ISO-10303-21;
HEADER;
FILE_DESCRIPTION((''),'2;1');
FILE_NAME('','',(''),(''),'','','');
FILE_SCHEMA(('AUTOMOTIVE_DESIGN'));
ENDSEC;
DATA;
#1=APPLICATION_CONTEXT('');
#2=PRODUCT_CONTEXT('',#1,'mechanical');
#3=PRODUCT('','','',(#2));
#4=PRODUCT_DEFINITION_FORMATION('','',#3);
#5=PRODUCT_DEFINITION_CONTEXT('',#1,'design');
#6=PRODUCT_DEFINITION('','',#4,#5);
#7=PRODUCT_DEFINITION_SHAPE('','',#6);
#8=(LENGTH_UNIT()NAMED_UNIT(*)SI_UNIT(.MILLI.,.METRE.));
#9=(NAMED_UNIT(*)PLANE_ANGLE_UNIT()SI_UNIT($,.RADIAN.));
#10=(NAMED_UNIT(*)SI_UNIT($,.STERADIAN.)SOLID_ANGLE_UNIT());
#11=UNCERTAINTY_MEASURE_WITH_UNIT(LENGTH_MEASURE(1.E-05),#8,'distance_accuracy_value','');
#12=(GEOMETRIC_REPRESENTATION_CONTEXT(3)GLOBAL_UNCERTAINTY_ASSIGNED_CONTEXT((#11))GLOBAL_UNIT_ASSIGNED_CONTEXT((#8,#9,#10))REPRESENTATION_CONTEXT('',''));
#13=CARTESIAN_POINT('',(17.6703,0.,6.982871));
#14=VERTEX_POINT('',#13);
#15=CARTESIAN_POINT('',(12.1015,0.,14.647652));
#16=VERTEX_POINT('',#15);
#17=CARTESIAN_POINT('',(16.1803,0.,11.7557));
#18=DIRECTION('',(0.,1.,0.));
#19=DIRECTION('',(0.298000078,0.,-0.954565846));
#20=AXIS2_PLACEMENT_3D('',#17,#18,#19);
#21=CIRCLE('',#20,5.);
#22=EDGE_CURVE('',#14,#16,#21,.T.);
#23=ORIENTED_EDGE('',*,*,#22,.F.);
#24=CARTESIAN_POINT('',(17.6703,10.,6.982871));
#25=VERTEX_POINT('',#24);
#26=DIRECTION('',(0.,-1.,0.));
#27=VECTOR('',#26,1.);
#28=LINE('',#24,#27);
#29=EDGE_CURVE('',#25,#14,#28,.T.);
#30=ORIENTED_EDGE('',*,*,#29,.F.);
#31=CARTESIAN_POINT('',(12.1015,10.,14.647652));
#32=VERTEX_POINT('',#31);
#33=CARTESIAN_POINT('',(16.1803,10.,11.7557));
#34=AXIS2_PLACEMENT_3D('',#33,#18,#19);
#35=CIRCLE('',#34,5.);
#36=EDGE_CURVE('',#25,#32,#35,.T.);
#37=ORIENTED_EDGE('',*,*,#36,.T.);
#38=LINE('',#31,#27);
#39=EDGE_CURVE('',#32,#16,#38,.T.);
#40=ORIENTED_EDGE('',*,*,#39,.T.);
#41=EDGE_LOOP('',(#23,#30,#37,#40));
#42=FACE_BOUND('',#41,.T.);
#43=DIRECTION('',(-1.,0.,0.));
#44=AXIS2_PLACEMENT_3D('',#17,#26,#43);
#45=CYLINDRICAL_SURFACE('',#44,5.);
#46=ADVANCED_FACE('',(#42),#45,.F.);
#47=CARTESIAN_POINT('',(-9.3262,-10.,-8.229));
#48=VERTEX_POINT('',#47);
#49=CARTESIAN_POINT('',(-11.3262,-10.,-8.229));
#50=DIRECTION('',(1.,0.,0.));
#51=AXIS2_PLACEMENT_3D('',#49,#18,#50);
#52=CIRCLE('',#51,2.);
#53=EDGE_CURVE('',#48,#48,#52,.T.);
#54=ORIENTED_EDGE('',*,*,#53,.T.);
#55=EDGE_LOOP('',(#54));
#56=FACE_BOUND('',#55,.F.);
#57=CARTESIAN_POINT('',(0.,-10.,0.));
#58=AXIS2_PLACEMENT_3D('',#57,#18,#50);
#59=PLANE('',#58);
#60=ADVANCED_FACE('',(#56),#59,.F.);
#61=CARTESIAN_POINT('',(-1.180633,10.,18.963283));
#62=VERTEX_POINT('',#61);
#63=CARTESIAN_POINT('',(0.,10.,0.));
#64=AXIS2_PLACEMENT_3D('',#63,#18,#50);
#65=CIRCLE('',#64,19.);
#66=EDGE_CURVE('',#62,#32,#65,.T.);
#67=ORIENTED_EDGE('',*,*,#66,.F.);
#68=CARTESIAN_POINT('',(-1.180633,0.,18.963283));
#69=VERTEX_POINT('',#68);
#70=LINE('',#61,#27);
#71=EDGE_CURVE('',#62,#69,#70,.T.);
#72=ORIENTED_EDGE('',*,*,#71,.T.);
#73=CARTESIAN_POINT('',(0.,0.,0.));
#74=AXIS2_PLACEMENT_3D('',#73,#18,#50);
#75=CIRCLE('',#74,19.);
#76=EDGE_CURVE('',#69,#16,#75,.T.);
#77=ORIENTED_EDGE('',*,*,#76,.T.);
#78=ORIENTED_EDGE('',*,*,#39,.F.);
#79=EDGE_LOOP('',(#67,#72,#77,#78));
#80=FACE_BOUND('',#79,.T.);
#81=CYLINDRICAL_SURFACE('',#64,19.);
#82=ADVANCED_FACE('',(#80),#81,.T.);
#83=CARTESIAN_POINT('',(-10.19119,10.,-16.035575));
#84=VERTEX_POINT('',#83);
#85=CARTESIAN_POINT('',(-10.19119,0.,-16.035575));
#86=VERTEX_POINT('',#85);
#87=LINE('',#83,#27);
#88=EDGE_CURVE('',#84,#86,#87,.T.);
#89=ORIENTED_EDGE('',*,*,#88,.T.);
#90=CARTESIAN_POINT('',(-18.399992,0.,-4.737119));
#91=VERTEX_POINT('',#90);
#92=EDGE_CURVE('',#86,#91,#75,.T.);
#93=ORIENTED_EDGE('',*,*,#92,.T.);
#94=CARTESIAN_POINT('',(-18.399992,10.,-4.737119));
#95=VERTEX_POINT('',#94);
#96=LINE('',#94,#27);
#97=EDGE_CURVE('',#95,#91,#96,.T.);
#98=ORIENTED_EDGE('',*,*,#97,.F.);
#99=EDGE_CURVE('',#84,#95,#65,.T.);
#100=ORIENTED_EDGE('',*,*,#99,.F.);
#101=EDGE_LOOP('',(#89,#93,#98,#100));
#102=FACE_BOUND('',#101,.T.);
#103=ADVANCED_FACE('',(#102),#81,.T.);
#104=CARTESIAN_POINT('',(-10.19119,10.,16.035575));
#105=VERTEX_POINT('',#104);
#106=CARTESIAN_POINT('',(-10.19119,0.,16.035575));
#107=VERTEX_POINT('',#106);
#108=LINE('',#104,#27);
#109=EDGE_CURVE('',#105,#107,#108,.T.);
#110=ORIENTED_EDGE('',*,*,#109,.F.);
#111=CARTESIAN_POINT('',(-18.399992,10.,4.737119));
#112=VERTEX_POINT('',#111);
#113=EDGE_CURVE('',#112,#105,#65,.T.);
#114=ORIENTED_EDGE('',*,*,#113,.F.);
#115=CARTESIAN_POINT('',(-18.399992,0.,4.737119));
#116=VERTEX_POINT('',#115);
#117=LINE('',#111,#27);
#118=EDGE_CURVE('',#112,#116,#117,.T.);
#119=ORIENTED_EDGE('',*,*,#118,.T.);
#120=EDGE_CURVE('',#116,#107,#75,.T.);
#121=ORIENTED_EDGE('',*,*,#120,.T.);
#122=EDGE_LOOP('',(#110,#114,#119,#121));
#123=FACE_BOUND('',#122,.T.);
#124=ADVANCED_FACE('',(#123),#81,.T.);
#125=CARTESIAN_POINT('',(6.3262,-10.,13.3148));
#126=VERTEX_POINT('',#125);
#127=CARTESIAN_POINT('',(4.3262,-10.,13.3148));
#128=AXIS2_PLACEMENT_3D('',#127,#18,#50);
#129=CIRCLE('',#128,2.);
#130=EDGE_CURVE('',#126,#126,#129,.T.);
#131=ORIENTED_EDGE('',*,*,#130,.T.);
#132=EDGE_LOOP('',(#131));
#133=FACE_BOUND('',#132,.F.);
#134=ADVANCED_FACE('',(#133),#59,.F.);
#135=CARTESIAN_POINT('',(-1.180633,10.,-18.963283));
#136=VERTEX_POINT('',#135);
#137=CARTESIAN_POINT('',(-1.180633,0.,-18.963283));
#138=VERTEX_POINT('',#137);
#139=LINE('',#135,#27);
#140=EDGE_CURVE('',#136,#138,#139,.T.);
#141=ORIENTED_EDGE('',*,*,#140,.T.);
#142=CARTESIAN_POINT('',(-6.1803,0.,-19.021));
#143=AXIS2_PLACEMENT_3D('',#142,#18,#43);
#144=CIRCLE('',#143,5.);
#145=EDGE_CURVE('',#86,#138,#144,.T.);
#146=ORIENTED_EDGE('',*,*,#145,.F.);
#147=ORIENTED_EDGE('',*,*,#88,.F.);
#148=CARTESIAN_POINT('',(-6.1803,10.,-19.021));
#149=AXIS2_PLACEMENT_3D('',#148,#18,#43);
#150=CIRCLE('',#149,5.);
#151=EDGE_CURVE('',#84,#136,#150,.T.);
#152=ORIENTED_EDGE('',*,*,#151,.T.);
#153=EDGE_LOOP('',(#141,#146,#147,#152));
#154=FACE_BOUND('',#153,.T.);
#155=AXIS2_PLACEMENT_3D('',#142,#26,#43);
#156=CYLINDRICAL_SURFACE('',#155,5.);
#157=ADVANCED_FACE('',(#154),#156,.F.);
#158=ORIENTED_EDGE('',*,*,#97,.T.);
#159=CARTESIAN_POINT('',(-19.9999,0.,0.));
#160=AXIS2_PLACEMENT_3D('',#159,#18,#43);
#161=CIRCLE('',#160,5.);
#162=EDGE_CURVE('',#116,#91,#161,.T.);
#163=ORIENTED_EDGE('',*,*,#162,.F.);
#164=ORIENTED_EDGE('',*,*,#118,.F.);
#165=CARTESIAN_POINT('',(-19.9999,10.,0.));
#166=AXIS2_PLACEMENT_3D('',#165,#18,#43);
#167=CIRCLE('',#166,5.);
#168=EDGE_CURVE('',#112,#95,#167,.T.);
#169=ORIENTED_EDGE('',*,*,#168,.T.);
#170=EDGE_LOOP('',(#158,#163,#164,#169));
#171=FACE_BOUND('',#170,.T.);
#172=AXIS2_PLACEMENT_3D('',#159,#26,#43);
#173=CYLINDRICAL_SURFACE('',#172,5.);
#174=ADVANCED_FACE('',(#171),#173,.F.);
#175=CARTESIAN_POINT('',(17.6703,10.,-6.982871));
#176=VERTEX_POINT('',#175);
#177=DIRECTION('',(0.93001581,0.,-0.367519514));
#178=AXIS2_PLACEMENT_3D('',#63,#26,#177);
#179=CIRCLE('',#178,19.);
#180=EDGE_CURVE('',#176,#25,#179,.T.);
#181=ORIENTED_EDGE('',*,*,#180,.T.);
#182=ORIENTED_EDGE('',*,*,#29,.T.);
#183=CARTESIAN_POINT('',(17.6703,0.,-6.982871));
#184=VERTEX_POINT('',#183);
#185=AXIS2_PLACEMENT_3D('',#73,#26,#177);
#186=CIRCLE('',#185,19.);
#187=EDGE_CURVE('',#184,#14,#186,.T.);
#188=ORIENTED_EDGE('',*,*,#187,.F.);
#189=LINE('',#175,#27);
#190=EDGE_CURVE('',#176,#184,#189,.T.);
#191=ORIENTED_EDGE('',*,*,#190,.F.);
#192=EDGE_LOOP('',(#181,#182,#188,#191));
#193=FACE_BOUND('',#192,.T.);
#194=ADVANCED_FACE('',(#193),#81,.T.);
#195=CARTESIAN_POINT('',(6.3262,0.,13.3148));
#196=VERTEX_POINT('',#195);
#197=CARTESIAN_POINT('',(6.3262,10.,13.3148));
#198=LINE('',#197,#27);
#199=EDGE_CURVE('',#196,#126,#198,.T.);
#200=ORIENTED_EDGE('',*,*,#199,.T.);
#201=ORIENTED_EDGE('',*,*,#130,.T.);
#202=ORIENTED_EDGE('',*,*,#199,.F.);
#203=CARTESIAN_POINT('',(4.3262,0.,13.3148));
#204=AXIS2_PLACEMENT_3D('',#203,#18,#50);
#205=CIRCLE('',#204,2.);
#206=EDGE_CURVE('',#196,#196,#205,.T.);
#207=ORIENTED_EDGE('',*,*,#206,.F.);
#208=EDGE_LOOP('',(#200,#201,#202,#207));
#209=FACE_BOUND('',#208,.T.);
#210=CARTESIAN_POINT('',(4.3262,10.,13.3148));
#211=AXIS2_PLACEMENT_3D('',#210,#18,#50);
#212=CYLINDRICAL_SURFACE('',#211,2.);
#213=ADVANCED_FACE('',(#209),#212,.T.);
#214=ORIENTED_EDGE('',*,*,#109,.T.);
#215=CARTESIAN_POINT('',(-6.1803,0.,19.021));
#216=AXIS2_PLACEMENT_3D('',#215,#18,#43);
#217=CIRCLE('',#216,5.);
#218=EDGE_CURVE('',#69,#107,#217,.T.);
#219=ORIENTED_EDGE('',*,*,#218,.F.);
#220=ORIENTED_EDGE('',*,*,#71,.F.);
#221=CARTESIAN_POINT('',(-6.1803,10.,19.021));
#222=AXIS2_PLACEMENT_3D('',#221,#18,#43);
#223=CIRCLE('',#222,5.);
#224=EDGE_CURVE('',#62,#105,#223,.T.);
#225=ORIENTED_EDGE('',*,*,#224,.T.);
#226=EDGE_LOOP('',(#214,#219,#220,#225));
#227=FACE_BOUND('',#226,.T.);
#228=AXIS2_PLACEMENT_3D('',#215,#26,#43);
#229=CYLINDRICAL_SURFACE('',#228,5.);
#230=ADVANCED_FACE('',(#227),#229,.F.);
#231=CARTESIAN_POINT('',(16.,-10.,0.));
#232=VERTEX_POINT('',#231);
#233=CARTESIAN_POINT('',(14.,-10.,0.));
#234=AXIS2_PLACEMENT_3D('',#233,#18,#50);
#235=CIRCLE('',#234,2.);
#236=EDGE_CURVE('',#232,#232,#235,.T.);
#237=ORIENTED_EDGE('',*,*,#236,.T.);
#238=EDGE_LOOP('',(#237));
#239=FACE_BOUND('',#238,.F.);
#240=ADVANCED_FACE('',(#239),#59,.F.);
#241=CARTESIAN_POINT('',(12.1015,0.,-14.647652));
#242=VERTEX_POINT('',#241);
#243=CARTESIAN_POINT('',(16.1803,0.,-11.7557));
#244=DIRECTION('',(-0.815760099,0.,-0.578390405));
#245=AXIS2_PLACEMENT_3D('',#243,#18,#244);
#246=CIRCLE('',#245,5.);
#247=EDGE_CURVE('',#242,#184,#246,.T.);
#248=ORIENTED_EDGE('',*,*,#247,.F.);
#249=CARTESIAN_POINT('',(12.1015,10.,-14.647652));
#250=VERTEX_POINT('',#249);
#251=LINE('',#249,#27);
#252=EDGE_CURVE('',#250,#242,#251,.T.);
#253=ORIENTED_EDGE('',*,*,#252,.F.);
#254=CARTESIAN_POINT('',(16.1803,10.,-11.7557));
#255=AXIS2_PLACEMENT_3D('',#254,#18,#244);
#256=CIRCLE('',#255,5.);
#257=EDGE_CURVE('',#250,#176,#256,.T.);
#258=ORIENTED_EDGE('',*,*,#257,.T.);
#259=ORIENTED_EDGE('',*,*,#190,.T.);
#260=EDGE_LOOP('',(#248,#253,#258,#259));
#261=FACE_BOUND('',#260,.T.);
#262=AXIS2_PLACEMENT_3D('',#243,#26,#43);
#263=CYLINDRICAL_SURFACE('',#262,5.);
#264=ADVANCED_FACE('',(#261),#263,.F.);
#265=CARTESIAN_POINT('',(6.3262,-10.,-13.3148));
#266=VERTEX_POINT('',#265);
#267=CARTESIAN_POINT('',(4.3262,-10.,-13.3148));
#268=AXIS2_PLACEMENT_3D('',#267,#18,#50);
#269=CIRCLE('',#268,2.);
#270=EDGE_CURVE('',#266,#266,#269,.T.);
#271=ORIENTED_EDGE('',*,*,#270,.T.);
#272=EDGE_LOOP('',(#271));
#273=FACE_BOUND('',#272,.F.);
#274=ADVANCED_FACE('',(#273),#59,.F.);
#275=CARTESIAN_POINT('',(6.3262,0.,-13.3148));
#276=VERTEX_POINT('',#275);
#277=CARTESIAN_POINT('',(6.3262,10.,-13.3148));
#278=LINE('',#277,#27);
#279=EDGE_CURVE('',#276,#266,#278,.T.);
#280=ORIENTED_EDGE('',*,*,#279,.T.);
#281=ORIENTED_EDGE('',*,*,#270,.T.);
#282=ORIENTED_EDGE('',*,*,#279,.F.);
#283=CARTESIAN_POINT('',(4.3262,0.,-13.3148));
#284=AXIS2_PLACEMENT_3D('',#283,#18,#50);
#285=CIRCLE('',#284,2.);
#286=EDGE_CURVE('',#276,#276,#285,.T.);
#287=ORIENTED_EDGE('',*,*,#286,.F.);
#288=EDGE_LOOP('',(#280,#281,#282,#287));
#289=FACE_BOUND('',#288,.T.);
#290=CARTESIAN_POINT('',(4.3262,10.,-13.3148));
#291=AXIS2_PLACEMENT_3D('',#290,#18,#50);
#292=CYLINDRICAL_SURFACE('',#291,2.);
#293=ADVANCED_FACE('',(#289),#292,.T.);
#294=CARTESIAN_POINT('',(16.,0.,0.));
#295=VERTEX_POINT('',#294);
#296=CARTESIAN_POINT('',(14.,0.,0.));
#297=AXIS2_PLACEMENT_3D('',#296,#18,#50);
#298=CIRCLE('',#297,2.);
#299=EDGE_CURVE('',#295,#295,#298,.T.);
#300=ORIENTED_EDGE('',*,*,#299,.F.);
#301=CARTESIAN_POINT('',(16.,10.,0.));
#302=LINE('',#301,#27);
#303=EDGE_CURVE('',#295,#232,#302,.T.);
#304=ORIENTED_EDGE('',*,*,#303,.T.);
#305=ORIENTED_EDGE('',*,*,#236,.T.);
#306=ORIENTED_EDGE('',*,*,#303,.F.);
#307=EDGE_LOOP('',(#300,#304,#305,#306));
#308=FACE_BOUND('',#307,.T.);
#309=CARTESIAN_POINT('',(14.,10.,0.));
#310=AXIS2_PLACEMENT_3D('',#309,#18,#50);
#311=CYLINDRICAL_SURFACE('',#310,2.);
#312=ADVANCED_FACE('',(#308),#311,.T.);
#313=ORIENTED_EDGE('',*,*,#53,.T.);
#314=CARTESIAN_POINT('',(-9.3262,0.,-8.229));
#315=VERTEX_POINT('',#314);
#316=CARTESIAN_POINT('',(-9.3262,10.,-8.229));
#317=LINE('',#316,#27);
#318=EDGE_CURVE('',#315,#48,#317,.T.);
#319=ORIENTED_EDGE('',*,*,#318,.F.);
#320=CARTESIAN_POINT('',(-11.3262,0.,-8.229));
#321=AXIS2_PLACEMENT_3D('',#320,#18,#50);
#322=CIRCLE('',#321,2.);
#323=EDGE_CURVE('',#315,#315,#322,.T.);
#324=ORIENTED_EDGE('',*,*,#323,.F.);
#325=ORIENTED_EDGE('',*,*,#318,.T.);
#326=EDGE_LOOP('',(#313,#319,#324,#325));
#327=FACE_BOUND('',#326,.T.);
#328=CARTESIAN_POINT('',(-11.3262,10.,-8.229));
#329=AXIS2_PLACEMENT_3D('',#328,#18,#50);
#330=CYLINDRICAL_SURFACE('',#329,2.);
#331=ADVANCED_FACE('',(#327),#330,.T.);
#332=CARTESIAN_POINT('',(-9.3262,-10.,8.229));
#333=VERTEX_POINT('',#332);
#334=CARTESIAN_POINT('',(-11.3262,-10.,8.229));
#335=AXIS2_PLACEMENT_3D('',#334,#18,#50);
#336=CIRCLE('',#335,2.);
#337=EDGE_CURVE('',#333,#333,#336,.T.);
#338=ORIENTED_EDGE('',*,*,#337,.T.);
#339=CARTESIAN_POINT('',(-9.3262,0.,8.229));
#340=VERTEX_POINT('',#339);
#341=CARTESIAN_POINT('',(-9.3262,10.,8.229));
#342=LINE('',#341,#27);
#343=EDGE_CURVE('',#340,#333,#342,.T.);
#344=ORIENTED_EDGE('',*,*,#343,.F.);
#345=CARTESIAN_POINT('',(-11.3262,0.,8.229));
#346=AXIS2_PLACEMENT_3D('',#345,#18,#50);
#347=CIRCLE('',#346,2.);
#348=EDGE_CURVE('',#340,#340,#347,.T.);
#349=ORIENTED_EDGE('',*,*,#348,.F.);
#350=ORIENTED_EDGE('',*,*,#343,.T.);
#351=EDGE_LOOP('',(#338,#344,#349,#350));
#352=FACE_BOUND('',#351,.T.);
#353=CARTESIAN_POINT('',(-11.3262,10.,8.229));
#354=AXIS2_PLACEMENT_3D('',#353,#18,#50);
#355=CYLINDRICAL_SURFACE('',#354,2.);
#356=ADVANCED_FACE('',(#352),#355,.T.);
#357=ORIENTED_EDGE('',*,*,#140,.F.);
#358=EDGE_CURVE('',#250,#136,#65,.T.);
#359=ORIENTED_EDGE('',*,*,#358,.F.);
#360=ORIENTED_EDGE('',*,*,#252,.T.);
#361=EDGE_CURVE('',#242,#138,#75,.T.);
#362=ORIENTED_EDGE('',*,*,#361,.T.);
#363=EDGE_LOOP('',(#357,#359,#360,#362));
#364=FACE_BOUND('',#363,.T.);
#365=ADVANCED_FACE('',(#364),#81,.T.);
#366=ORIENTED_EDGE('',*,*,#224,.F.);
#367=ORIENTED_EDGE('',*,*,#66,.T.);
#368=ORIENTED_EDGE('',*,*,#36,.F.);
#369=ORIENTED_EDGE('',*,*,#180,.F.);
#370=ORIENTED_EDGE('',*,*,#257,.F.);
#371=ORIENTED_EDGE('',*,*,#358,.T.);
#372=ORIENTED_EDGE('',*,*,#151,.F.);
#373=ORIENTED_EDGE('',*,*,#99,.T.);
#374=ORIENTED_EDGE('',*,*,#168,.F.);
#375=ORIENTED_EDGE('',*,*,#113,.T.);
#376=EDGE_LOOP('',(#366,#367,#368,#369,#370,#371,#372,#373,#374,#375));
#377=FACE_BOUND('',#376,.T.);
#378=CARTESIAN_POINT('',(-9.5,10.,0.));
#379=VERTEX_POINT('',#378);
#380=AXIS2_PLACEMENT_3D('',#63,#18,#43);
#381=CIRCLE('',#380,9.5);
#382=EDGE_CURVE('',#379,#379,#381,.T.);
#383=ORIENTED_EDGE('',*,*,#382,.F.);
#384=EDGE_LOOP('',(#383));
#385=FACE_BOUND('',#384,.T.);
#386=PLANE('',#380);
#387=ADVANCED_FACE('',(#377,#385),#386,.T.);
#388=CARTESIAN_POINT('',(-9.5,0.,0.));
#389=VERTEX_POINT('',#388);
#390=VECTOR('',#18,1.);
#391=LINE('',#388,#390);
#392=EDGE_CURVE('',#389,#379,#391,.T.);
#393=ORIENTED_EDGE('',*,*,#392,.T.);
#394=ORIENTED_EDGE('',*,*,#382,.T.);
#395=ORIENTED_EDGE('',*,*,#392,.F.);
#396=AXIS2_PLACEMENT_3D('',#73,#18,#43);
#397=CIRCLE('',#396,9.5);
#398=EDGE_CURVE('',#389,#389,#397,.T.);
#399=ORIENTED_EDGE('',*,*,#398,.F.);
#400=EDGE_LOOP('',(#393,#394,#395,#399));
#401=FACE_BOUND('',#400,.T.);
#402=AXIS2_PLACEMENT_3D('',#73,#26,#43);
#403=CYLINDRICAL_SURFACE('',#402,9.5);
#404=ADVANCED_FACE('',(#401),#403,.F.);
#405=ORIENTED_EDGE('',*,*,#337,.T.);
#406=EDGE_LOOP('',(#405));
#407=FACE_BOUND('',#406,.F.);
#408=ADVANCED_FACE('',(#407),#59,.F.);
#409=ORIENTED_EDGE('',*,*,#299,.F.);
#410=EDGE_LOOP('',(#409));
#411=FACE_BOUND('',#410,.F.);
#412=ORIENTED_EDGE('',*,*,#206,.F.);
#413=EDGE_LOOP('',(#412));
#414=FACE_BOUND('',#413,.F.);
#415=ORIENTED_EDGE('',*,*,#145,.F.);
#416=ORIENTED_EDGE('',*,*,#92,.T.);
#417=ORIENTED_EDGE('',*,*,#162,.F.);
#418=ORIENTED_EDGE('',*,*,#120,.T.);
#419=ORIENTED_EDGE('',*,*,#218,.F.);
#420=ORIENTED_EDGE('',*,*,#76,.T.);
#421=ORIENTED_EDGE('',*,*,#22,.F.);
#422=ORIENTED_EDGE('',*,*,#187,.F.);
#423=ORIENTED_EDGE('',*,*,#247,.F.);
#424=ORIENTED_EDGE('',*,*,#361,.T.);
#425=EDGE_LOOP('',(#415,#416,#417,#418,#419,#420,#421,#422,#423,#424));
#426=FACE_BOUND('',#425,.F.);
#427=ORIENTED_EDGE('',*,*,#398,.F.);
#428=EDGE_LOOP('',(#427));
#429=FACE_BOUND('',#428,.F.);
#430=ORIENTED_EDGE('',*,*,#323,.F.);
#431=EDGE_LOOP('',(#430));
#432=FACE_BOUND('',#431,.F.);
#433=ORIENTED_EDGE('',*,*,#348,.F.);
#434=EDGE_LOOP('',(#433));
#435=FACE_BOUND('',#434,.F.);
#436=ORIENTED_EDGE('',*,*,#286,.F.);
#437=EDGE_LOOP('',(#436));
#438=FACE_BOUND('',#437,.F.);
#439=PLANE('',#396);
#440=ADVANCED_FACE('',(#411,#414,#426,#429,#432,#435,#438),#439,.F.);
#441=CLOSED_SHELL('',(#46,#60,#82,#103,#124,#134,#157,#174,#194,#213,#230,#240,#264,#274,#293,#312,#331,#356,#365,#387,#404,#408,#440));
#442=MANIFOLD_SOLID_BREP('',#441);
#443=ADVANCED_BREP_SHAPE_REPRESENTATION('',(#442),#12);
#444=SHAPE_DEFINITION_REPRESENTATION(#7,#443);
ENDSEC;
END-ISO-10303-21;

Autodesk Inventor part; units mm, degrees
ref_plane "YZ Plane" through (0, 0, 0) normal (1, 0, 0) x (0, 1, 0)
ref_plane "XZ Plane" through (0, 0, 0) normal (0, 1, 0) x (-1, 0, 0)
ref_plane "XY Plane" through (0, 0, 0) normal (0, 0, 1) x (1, 0, 0)
sketch "Эскиз1" plane through (0, 0, 0) normal (0, 1, 0) x (-1, 0, 0)
  circle A0 centre (0, 0) radius 9.5
  circle A1 centre (0, 0) radius 30
  circle A2 centre (0, 0) radius 20 construction
  circle A3 centre (19.9999, 0) radius 5
  circle A4 centre (6.1803, 19.021) radius 5
  circle A5 centre (-16.1803, 11.7557) radius 5
  circle A6 centre (-16.1803, -11.7557) radius 5
  circle A7 centre (6.1803, -19.021) radius 5
  dimension "d0" = 19
  dimension "d1" = 60
  dimension "d2" = 40
  dimension "d3" = 10
  dimension "d6" = 360
extrude "Выдавливание1" add sketch "Эскиз1" along normal blind 10
sketch "Эскиз2" plane through (0, 10, 0) normal (0, 1, 0) x (1, 0, 0)
  circle A0 centre (-6.1803, 19.021) radius 5 projected
  circle A1 centre (16.1803, 11.7557) radius 5 projected
  circle A2 centre (16.1803, -11.7557) radius 5 projected
  circle A3 centre (-6.1803, -19.021) radius 5 projected
  circle A4 centre (-19.9999, 0) radius 5 projected
  circle A5 centre (0, 0) radius 30 projected
  circle A6 centre (0, 0) radius 19
  dimension "d15" = 38
extrude "Выдавливание2" cut sketch "Эскиз2" against normal blind 10
sketch "Эскиз3" plane through (0, 10, 0) normal (0, 1, 0) x (1, 0, 0)
  circle A0 centre (0, 0) radius 9.5 projected
  circle A1 centre (14, 0) radius 2
  circle A2 centre (4.3262, 13.3148) radius 2
  circle A3 centre (-11.3262, 8.229) radius 2
  circle A4 centre (-11.3262, -8.229) radius 2
  circle A5 centre (4.3262, -13.3148) radius 2
  dimension "d17" = 4
  dimension "d18" = 14
  dimension "d21" = 360
extrude "Выдавливание3" add sketch "Эскиз3" against normal blind 20 contours A1 | A2 | A3 | A4 | A5
properties part number "Ротор цевков"
